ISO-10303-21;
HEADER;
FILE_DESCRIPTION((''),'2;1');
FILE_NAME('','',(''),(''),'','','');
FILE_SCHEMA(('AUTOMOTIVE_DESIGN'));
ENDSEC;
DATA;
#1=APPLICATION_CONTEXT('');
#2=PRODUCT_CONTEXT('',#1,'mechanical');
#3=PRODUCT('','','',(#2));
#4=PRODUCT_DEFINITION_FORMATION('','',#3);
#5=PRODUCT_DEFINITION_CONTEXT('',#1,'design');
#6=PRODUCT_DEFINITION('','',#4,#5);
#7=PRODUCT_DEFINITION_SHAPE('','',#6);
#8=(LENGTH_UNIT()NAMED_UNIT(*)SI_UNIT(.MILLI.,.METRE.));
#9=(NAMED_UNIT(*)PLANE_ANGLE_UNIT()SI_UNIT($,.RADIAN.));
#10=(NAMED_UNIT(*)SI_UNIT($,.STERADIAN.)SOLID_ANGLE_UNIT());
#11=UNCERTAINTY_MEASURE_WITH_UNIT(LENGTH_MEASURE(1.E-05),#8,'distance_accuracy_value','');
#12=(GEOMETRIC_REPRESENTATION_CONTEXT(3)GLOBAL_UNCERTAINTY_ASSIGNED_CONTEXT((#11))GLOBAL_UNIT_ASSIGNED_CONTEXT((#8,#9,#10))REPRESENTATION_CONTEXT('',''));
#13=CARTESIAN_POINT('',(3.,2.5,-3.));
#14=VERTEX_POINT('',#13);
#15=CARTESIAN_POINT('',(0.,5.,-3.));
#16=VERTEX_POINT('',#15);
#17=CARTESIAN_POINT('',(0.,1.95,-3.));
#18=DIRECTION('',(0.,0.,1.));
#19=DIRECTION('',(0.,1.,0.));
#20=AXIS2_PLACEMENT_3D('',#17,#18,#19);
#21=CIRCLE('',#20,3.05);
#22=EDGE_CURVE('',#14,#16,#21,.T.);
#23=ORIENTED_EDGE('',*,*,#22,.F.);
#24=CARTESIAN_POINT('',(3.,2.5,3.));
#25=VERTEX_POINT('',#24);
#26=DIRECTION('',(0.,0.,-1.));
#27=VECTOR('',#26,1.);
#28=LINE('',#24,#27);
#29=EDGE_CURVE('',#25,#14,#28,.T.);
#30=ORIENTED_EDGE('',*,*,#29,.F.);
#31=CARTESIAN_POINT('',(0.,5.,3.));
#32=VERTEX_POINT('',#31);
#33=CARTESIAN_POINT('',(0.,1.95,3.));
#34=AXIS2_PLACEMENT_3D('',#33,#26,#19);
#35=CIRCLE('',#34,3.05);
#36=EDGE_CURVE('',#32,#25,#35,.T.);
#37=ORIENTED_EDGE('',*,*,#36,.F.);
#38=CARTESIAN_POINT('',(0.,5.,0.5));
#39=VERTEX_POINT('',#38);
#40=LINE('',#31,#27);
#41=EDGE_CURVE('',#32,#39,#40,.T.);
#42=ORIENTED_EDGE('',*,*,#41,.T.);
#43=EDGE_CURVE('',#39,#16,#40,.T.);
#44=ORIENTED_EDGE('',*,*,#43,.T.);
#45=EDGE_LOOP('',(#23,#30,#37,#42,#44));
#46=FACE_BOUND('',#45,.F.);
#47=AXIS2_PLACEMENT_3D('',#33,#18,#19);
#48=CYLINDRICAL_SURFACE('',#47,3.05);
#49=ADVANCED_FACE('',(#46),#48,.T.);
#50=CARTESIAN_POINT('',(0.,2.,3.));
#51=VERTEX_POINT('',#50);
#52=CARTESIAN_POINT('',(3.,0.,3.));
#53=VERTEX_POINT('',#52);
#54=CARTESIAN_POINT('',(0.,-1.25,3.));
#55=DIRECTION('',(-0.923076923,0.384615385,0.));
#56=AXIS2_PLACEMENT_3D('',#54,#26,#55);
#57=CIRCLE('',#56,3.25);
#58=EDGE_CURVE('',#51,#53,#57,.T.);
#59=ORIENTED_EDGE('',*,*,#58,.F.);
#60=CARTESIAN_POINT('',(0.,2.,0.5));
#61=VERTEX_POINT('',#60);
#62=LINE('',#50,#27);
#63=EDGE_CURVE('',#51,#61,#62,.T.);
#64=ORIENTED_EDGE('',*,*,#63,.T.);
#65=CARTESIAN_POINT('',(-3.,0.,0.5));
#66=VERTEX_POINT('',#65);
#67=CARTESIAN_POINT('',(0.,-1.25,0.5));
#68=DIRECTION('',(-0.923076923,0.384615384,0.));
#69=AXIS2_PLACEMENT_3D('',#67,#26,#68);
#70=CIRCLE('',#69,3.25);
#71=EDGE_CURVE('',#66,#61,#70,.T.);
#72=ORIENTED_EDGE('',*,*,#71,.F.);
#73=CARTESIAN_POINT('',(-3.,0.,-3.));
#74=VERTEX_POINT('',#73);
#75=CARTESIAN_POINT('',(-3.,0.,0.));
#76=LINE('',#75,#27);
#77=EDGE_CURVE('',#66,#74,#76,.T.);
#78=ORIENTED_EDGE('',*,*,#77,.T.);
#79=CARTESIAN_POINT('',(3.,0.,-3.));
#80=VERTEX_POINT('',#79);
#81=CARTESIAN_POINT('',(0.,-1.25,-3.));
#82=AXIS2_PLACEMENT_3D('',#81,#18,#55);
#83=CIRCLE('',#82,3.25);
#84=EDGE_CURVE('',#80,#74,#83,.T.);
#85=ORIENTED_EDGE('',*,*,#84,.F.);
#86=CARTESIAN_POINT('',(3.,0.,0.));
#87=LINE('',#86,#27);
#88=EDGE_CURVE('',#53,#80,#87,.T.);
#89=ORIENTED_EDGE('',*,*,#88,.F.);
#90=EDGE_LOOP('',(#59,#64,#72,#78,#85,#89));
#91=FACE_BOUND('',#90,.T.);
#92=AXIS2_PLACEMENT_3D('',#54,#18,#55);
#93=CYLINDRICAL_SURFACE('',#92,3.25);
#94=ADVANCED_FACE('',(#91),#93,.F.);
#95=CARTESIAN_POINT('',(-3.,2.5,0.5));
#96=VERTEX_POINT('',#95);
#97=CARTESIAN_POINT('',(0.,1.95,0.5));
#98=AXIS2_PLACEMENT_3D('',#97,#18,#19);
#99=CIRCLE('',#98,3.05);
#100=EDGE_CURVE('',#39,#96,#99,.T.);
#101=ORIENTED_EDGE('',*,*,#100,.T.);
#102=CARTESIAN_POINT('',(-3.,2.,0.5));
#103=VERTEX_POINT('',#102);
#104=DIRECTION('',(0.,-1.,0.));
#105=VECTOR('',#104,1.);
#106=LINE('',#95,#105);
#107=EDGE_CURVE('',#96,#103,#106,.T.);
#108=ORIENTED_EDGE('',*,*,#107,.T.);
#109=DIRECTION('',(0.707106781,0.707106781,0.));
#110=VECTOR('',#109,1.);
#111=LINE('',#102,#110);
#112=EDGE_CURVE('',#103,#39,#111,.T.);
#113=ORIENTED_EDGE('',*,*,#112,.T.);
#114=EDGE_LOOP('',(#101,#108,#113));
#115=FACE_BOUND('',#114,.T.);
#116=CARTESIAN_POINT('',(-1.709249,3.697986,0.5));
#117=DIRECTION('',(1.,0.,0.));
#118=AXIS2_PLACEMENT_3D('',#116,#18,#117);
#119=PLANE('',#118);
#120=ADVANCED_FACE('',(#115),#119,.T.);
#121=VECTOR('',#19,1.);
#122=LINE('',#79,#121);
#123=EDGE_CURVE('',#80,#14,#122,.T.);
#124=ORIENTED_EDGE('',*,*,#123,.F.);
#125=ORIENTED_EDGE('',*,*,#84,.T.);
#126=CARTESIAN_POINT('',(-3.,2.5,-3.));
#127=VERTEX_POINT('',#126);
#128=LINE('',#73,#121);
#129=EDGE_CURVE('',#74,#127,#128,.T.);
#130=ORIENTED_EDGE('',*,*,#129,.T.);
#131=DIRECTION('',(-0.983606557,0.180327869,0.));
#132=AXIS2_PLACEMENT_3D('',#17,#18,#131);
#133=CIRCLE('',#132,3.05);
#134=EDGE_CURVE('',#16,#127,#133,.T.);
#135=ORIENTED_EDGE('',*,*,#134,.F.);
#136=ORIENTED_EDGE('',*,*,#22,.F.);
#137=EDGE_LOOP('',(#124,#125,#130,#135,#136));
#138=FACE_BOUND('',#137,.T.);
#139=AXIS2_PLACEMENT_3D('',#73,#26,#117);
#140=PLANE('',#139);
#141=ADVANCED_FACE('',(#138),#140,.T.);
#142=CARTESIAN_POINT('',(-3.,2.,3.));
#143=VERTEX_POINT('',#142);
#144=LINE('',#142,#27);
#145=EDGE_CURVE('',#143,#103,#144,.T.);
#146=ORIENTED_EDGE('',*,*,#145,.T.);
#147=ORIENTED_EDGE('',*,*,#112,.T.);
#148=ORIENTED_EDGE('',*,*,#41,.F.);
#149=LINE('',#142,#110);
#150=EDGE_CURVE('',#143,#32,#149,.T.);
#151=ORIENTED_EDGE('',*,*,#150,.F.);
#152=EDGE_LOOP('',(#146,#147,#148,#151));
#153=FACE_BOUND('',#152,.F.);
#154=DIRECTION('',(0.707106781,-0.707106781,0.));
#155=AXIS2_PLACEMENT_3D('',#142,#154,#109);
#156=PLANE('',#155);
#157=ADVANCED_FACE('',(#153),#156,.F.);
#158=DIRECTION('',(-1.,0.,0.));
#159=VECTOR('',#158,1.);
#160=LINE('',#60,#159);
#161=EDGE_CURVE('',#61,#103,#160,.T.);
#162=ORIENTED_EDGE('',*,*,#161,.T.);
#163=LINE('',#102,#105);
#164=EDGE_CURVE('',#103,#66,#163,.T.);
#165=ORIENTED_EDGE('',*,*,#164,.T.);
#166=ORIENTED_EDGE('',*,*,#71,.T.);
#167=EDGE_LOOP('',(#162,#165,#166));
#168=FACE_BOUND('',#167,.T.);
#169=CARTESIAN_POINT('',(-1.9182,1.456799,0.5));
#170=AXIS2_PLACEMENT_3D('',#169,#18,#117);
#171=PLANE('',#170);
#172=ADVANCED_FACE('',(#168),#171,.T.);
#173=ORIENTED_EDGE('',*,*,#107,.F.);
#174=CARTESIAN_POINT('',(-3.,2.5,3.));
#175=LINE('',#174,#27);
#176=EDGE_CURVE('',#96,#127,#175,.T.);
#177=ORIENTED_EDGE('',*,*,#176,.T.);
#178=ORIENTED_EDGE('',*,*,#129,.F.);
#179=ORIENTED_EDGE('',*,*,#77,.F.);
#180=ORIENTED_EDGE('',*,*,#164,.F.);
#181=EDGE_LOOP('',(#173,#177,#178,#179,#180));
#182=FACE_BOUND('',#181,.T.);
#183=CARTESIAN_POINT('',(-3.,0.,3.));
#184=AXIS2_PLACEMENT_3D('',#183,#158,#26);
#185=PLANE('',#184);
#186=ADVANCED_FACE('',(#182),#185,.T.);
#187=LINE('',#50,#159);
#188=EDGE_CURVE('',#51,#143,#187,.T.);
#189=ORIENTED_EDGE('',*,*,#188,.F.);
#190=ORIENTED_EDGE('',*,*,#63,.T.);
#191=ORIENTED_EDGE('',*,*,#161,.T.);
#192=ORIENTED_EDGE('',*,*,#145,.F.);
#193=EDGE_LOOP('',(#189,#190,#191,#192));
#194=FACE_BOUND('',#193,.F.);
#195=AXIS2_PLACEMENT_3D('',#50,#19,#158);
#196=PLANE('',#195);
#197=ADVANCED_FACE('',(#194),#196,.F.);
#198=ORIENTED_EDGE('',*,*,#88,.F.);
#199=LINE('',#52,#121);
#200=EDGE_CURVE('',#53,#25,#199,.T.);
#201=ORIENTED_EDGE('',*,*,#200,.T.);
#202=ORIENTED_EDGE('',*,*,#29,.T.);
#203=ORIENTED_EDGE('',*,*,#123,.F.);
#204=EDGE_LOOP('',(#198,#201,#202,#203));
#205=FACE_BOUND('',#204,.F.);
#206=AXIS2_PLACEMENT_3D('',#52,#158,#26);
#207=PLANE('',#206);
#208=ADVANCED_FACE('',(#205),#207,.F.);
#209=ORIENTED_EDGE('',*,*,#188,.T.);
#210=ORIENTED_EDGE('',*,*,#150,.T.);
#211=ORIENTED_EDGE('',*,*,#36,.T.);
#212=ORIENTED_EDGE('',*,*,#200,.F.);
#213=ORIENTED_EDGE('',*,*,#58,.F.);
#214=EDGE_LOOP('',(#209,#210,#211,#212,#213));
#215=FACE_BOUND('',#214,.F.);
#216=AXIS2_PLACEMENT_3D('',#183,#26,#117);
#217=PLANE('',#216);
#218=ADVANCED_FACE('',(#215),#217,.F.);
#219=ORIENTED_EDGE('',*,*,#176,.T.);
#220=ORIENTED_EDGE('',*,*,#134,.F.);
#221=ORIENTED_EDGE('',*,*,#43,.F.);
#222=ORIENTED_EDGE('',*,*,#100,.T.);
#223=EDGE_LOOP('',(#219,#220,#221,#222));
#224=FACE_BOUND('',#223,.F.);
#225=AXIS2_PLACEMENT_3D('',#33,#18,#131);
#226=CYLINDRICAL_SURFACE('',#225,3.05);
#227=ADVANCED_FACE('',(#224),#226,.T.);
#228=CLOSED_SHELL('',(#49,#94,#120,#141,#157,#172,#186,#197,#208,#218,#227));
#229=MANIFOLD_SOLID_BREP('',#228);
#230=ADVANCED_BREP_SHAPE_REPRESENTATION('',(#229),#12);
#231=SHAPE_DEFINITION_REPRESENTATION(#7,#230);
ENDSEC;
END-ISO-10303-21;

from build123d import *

# Parameters (mm, degrees)
SKETCH1_W           = 6
SKETCH1_H           = 6
BOSS_EXTRUDE1_DEPTH = 5
CUT_EXTRUDE4_DEPTH  = 12.5
CUT_EXTRUDE5_DEPTH  = 2.5


with BuildPart() as part:
    # Sketch1 → Boss-Extrude1 (new body)
    with BuildSketch(Plane(origin=(0, 0, 0), x_dir=(1, 0, 0), z_dir=(0, 1, 0))):
        Rectangle(SKETCH1_W, SKETCH1_H)
    extrude(amount=BOSS_EXTRUDE1_DEPTH)

    # Sketch5 → Cut-Extrude4 (cut)
    with BuildSketch(Plane.XY.offset(3)):
        with BuildLine():
            Line((-3, 5), (-3, 2.5))
            ThreePointArc((-3, 2.5), (-1.952562419, 4.293074903), (0, 5))
            Line((0, 5), (-3, 5))
        make_face()
        with BuildLine():
            ThreePointArc((0, 5), (1.952562419, 4.293074903), (3, 2.5))
            Line((3, 2.5), (3, 5))
            Line((3, 5), (0, 5))
        make_face()
        with BuildLine():
            ThreePointArc((-3, 0), (0, 2), (3, 0))
            Line((3, 0), (-3, 0))
        make_face()
    extrude(amount=-CUT_EXTRUDE4_DEPTH, mode=Mode.SUBTRACT)

    # Sketch6 → Cut-Extrude5 (cut)
    with BuildSketch(Plane.XY.offset(3)):
        with BuildLine():
            Line((-3, 2.5), (-3, 2))
            Line((-3, 2), (0, 5))
            ThreePointArc((0, 5), (-1.952562419, 4.293074903), (-3, 2.5))
        make_face()
        with BuildLine():
            Line((0, 2), (-3, 2))
            Line((-3, 2), (-3, 0))
            ThreePointArc((-3, 0), (-1.802775638, 1.454163457), (0, 2))
        make_face()
    extrude(amount=-CUT_EXTRUDE5_DEPTH, mode=Mode.SUBTRACT)


solid = part.part
